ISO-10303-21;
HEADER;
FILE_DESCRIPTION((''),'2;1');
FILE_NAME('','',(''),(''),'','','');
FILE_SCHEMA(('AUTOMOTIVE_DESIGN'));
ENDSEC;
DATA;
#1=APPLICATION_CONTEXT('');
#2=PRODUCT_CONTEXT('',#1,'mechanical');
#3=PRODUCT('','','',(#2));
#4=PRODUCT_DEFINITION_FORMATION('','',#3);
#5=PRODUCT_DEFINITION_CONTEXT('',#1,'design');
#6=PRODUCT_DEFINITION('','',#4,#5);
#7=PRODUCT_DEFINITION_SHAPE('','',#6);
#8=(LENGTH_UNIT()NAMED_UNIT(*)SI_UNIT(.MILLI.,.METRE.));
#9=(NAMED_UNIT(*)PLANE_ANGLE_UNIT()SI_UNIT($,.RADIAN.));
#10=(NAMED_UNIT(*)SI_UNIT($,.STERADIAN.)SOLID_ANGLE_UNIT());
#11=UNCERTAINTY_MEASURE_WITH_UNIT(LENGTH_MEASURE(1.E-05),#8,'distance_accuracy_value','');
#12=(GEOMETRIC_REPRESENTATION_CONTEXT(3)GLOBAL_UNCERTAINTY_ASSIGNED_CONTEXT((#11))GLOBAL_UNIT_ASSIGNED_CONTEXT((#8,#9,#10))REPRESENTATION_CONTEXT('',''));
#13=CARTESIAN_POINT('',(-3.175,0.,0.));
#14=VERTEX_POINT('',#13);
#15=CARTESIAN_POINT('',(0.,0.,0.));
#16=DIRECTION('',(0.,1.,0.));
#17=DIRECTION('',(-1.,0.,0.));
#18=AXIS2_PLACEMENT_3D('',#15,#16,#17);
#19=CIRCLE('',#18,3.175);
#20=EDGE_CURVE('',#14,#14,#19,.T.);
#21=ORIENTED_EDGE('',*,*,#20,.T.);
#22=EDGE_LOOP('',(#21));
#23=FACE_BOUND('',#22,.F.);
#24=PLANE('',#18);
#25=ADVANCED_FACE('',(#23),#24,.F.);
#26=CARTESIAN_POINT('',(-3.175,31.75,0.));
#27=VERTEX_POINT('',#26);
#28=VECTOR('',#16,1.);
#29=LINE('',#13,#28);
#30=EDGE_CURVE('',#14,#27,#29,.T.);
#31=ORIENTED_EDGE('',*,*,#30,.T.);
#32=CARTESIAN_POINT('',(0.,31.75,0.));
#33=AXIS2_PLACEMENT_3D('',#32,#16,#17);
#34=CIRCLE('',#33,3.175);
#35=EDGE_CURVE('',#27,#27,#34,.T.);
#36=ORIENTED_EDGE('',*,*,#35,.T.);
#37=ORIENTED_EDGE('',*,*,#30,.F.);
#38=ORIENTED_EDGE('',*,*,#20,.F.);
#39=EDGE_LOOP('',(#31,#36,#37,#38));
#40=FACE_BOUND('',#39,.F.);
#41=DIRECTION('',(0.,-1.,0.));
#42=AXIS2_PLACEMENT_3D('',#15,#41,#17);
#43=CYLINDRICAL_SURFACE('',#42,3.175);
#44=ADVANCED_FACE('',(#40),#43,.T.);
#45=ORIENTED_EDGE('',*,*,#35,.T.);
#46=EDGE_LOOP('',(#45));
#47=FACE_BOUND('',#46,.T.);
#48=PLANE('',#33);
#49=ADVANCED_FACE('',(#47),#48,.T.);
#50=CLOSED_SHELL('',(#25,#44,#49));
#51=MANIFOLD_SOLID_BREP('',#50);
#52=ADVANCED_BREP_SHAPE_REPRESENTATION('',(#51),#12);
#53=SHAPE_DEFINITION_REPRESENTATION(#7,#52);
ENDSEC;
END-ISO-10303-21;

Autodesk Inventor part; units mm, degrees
ref_plane "YZ Plane" through (0, 0, 0) normal (1, 0, 0) x (0, 1, 0)
ref_plane "XZ Plane" through (0, 0, 0) normal (0, 1, 0) x (-1, 0, 0)
ref_plane "XY Plane" through (0, 0, 0) normal (0, 0, 1) x (1, 0, 0)
sketch "Sketch1" plane through (0, 0, 0) normal (0, 1, 0) x (-1, 0, 0)
  circle A0 centre (0, 0) radius 3.175
  dimension "d0" = 6.35
extrude "Extrusion1" add sketch "Sketch1" along normal blind 31.75
properties part number "Spinner"
